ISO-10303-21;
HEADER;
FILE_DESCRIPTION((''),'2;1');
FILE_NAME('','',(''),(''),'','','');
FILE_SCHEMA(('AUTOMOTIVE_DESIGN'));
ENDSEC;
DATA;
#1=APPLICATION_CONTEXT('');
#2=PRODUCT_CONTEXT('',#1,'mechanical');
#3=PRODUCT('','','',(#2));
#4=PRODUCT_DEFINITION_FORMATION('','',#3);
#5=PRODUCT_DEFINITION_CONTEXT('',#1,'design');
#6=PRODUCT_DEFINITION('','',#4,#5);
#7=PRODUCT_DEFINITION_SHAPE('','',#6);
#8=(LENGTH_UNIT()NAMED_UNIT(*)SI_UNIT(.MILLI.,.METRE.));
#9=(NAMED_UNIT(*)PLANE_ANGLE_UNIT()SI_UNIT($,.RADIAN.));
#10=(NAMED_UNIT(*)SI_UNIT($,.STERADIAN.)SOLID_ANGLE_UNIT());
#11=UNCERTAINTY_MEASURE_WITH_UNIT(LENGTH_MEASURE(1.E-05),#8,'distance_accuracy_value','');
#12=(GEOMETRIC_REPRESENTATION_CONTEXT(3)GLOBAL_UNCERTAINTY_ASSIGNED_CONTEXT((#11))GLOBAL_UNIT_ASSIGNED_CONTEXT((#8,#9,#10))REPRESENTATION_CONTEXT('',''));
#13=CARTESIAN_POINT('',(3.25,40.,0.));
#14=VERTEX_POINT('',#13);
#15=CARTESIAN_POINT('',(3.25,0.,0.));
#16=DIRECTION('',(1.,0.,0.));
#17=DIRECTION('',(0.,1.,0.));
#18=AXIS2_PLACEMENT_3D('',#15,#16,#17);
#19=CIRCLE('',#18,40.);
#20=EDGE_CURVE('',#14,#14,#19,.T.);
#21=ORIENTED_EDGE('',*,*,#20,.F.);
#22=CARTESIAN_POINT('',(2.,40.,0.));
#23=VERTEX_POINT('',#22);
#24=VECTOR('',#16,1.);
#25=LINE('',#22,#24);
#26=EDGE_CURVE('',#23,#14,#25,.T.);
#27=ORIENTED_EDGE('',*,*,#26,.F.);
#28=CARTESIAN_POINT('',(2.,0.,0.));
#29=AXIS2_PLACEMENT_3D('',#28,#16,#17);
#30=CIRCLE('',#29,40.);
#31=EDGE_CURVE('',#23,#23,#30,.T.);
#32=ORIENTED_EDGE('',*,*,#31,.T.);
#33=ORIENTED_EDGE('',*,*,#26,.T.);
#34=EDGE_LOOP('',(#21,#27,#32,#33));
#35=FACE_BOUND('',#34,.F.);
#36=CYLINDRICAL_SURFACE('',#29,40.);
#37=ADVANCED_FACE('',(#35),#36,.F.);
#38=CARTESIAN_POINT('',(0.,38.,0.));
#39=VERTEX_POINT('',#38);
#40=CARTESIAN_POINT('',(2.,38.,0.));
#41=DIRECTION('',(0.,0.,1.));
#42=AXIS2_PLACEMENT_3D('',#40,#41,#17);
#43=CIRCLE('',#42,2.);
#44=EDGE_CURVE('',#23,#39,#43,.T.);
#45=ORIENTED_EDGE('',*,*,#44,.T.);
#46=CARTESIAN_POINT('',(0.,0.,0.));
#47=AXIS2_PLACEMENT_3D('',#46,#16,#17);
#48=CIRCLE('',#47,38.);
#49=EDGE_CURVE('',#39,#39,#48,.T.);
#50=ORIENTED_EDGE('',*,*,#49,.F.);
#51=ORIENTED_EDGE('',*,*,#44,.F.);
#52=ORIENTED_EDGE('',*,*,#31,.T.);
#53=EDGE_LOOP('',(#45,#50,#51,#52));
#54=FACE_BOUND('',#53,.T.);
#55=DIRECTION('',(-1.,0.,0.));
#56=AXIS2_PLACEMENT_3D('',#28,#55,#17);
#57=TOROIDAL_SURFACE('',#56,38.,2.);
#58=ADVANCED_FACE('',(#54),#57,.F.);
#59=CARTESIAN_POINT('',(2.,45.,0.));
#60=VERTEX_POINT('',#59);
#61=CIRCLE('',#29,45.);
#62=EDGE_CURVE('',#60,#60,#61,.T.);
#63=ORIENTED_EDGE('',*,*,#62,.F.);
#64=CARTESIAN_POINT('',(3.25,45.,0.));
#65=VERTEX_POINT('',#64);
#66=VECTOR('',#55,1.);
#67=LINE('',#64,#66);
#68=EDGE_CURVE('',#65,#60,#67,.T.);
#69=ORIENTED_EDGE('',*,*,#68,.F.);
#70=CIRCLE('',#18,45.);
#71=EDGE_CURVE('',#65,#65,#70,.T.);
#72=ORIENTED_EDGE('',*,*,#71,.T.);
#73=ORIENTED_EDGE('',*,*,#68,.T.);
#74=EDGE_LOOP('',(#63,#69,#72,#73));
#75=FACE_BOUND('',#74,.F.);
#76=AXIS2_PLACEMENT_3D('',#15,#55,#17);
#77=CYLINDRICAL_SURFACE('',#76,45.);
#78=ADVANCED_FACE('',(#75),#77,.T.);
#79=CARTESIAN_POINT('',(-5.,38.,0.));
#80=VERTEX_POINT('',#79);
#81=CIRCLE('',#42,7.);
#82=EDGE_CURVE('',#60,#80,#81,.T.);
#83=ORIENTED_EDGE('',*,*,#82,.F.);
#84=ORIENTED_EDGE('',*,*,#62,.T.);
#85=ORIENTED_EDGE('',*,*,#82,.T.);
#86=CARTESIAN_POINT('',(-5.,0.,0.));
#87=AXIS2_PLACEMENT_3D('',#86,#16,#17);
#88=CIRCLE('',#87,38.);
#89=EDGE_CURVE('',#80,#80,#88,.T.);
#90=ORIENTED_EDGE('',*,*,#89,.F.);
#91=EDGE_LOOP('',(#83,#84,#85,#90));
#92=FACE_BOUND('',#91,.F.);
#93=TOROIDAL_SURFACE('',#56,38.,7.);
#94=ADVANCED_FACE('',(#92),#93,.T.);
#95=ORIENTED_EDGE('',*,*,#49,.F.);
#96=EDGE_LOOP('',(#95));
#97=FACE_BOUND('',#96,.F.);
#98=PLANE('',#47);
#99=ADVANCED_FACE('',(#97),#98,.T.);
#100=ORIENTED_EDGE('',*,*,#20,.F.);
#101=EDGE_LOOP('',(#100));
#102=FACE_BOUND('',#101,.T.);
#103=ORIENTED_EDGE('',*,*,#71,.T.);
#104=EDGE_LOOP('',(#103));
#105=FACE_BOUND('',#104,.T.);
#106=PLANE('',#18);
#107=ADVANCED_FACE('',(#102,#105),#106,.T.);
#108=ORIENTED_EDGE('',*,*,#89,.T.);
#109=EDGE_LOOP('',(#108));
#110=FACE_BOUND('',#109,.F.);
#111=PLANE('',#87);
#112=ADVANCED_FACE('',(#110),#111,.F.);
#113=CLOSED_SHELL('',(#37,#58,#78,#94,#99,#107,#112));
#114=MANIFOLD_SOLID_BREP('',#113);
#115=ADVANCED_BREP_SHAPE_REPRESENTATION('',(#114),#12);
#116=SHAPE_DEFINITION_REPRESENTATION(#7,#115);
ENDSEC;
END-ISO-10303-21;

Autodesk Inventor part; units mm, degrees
ref_plane "YZ Plane" through (0, 0, 0) normal (1, 0, 0) x (0, 1, 0)
ref_plane "XZ Plane" through (0, 0, 0) normal (0, 1, 0) x (-1, 0, 0)
ref_plane "XY Plane" through (0, 0, 0) normal (0, 0, 1) x (1, 0, 0)
sketch "Эскиз1" plane through (0, 0, 0) normal (0, 0, 1) x (1, 0, 0)
  line L0 (0, 0) -> (29.6206, 0)
  line L1 (0, 0) -> (0, 38)
  line L2 (2, 40) -> (3.25, 40)
  arc A0 (2, 40) -> (0, 38) centre (2, 38) ccw
  line L3 (3.25, 45) -> (2, 45)
  arc A1 (2, 45) -> (-5, 38) centre (2, 38) ccw
  line L4 (-5, 38) -> (-5, 0)
  line L5 (-5, 0) -> (0, 0)
  line L6 (3.25, 45) -> (3.25, 40)
  dimension "d0" = 80
  dimension "d1" = 2
  dimension "d2" = 90
  dimension "d5" = 8.25
revolve "Вращение1" add sketch "Эскиз1" angle 360 about axis through (0, 0, 0) along (1, 0, 0)
properties part number "Регулировка-тихая"
